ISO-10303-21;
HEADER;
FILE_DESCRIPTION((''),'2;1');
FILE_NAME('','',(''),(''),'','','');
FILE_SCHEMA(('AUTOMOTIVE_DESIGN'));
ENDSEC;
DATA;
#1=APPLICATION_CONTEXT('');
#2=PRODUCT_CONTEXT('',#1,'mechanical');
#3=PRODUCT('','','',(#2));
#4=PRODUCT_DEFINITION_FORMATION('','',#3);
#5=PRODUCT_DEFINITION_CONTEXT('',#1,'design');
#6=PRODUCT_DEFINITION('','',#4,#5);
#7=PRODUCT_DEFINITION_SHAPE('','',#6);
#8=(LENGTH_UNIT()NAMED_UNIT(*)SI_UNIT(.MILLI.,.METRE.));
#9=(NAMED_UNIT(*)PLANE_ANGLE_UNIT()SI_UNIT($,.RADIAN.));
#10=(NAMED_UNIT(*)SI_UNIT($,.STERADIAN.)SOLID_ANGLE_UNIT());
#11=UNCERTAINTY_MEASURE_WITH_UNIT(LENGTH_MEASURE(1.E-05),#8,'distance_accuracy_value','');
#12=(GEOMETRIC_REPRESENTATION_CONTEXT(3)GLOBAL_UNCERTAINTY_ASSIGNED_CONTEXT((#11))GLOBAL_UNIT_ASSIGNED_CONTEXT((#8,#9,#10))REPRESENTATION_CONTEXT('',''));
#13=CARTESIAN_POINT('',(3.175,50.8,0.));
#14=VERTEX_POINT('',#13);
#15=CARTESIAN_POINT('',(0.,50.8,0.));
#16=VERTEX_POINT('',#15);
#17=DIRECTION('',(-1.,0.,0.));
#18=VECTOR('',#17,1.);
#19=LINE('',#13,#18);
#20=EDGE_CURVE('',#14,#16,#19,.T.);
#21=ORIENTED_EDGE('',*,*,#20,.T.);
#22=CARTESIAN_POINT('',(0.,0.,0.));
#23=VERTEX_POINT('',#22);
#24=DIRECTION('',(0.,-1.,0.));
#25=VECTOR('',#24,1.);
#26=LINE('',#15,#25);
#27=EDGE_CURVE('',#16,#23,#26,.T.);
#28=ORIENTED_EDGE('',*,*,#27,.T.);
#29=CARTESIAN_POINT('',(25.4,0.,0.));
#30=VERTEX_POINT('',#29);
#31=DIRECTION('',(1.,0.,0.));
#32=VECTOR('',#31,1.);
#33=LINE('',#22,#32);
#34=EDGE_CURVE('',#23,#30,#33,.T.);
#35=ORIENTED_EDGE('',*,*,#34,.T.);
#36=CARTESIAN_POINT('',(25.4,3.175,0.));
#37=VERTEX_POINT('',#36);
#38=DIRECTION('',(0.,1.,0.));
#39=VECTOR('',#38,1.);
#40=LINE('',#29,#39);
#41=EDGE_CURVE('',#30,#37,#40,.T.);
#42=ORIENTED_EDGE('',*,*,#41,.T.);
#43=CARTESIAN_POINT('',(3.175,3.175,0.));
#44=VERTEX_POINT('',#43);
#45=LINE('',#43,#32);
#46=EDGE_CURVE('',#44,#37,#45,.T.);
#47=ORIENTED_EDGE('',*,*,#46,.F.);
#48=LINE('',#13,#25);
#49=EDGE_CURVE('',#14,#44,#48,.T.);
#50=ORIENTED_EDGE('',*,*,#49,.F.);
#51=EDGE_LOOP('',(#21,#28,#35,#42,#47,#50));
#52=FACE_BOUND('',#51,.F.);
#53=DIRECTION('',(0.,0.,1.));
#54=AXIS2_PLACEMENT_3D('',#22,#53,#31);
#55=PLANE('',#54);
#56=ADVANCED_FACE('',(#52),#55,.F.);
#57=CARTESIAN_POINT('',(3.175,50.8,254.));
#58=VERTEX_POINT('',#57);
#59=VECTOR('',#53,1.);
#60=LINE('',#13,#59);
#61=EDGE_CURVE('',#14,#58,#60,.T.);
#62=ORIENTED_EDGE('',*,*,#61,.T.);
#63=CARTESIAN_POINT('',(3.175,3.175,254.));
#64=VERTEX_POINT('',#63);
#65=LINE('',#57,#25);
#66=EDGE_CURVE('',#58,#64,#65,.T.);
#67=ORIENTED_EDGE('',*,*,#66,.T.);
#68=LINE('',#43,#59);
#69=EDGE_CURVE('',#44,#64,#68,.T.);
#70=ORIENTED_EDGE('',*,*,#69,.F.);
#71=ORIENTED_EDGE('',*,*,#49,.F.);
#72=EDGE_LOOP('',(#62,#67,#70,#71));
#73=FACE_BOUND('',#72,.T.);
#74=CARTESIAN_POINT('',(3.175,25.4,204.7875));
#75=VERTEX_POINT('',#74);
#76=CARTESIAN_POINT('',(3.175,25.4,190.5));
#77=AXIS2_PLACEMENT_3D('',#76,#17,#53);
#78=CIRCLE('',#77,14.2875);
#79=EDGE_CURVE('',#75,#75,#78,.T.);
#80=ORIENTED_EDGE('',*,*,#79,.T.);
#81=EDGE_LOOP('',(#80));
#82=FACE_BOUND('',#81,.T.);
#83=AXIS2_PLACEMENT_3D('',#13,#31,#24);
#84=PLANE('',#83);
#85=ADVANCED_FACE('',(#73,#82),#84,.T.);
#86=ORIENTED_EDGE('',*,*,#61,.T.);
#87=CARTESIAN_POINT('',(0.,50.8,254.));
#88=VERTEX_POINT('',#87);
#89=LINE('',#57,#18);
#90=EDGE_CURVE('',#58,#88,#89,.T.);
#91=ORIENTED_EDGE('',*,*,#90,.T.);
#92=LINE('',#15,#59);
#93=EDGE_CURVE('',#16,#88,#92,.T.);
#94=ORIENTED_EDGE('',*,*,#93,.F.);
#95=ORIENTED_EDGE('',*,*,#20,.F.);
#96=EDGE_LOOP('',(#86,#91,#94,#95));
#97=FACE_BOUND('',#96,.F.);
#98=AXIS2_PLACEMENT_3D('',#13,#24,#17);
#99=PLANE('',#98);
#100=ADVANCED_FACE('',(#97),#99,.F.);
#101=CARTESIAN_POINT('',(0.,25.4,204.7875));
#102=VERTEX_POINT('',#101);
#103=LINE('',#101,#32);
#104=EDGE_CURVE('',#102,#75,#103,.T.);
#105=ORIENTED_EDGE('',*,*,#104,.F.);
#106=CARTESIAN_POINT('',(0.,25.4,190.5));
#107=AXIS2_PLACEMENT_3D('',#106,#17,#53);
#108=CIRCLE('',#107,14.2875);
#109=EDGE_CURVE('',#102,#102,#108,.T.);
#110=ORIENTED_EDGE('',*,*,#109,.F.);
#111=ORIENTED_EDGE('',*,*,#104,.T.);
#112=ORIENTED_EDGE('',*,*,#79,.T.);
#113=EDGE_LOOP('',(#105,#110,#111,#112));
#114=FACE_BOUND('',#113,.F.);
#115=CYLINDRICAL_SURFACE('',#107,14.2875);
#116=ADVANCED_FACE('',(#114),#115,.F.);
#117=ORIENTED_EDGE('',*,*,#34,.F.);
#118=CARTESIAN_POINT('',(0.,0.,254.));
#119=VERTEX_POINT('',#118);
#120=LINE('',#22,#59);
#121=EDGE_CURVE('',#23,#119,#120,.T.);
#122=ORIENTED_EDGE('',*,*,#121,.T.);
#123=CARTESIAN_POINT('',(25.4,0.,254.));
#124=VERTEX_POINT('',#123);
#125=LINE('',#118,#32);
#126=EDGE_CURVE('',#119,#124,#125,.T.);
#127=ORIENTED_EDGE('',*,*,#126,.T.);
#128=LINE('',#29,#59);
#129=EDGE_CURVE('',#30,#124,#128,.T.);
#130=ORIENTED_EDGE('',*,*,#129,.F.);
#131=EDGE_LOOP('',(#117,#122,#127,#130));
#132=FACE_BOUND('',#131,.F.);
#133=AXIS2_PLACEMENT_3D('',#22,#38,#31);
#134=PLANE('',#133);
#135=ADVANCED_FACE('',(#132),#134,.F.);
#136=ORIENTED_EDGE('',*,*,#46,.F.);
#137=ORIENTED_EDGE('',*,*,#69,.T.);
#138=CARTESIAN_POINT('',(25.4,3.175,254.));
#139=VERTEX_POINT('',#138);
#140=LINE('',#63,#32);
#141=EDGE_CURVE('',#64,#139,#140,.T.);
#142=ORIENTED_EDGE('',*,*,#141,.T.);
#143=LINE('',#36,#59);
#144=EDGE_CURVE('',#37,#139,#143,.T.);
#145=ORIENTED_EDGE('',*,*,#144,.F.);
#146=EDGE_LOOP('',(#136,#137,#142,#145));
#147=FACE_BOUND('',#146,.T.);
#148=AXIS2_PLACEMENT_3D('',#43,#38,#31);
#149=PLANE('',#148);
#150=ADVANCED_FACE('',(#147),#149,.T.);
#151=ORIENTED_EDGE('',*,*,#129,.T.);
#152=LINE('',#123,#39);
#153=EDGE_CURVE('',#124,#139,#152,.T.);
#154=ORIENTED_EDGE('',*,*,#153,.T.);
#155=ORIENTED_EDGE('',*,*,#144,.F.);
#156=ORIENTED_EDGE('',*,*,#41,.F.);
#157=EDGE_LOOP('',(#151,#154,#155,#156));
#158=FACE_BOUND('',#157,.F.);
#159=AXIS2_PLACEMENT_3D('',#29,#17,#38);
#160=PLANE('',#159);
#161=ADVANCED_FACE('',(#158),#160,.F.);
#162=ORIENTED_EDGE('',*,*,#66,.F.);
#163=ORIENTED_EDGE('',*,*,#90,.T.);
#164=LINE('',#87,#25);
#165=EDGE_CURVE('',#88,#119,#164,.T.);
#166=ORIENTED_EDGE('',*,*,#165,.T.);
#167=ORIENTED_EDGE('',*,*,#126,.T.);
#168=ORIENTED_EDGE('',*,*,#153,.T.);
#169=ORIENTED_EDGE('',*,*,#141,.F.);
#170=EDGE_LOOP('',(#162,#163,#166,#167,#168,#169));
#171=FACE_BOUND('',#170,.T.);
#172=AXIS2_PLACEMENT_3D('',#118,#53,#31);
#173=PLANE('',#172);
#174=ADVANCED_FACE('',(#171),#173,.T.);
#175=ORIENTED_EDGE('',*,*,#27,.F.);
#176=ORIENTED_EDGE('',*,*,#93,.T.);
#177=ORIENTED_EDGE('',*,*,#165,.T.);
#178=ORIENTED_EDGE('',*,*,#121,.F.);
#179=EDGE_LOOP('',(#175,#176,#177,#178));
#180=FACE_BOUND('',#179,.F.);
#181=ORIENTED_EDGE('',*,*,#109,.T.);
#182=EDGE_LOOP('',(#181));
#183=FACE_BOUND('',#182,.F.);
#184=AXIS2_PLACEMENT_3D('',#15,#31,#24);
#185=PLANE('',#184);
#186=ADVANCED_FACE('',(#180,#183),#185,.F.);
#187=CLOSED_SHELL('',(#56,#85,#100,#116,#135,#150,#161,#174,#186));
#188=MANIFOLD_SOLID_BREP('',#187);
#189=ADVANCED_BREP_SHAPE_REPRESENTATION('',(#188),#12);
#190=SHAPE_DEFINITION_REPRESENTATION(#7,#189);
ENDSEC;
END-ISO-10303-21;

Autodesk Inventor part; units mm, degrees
ref_plane "YZ Plane" through (0, 0, 0) normal (1, 0, 0) x (0, 1, 0)
ref_plane "XZ Plane" through (0, 0, 0) normal (0, 1, 0) x (-1, 0, 0)
ref_plane "XY Plane" through (0, 0, 0) normal (0, 0, 1) x (1, 0, 0)
sketch "Sketch1" plane through (0, 0, 0) normal (0, 0, 1) x (1, 0, 0)
  line L0 (0, 0) -> (25.4, 0)
  line L1 (25.4, 0) -> (25.4, 3.175)
  line L2 (3.175, 50.8) -> (0, 50.8)
  line L3 (0, 50.8) -> (0, 0)
  line L4 (3.175, 50.8) -> (3.175, 3.175)
  line L5 (3.175, 3.175) -> (25.4, 3.175)
  dimension "d0" = 50.8
  dimension "d1" = 25.4
  dimension "d2" = 3.175
  dimension "d3" = 3.175
extrude "Extrusion1" add sketch "Sketch1" along normal blind 254
sketch "Sketch2" plane through (0, 0, 0) normal (-1, 0, 0) x (0, 0, 1)
  line L0 (0, 0) -> (254, 0) projected
  circle A0 centre (190.5, 25.4) radius 14.2875
  line L1 (254, 0) -> (254, 50.8) projected
  dimension "d6" = 28.575
  dimension "d8" = 25.4
  dimension "d11" = 63.5
extrude "Extrusion2" cut sketch "Sketch2" against normal through all
equation "\"d2\" = d3"
properties part number "8 ball bearing plate left"
